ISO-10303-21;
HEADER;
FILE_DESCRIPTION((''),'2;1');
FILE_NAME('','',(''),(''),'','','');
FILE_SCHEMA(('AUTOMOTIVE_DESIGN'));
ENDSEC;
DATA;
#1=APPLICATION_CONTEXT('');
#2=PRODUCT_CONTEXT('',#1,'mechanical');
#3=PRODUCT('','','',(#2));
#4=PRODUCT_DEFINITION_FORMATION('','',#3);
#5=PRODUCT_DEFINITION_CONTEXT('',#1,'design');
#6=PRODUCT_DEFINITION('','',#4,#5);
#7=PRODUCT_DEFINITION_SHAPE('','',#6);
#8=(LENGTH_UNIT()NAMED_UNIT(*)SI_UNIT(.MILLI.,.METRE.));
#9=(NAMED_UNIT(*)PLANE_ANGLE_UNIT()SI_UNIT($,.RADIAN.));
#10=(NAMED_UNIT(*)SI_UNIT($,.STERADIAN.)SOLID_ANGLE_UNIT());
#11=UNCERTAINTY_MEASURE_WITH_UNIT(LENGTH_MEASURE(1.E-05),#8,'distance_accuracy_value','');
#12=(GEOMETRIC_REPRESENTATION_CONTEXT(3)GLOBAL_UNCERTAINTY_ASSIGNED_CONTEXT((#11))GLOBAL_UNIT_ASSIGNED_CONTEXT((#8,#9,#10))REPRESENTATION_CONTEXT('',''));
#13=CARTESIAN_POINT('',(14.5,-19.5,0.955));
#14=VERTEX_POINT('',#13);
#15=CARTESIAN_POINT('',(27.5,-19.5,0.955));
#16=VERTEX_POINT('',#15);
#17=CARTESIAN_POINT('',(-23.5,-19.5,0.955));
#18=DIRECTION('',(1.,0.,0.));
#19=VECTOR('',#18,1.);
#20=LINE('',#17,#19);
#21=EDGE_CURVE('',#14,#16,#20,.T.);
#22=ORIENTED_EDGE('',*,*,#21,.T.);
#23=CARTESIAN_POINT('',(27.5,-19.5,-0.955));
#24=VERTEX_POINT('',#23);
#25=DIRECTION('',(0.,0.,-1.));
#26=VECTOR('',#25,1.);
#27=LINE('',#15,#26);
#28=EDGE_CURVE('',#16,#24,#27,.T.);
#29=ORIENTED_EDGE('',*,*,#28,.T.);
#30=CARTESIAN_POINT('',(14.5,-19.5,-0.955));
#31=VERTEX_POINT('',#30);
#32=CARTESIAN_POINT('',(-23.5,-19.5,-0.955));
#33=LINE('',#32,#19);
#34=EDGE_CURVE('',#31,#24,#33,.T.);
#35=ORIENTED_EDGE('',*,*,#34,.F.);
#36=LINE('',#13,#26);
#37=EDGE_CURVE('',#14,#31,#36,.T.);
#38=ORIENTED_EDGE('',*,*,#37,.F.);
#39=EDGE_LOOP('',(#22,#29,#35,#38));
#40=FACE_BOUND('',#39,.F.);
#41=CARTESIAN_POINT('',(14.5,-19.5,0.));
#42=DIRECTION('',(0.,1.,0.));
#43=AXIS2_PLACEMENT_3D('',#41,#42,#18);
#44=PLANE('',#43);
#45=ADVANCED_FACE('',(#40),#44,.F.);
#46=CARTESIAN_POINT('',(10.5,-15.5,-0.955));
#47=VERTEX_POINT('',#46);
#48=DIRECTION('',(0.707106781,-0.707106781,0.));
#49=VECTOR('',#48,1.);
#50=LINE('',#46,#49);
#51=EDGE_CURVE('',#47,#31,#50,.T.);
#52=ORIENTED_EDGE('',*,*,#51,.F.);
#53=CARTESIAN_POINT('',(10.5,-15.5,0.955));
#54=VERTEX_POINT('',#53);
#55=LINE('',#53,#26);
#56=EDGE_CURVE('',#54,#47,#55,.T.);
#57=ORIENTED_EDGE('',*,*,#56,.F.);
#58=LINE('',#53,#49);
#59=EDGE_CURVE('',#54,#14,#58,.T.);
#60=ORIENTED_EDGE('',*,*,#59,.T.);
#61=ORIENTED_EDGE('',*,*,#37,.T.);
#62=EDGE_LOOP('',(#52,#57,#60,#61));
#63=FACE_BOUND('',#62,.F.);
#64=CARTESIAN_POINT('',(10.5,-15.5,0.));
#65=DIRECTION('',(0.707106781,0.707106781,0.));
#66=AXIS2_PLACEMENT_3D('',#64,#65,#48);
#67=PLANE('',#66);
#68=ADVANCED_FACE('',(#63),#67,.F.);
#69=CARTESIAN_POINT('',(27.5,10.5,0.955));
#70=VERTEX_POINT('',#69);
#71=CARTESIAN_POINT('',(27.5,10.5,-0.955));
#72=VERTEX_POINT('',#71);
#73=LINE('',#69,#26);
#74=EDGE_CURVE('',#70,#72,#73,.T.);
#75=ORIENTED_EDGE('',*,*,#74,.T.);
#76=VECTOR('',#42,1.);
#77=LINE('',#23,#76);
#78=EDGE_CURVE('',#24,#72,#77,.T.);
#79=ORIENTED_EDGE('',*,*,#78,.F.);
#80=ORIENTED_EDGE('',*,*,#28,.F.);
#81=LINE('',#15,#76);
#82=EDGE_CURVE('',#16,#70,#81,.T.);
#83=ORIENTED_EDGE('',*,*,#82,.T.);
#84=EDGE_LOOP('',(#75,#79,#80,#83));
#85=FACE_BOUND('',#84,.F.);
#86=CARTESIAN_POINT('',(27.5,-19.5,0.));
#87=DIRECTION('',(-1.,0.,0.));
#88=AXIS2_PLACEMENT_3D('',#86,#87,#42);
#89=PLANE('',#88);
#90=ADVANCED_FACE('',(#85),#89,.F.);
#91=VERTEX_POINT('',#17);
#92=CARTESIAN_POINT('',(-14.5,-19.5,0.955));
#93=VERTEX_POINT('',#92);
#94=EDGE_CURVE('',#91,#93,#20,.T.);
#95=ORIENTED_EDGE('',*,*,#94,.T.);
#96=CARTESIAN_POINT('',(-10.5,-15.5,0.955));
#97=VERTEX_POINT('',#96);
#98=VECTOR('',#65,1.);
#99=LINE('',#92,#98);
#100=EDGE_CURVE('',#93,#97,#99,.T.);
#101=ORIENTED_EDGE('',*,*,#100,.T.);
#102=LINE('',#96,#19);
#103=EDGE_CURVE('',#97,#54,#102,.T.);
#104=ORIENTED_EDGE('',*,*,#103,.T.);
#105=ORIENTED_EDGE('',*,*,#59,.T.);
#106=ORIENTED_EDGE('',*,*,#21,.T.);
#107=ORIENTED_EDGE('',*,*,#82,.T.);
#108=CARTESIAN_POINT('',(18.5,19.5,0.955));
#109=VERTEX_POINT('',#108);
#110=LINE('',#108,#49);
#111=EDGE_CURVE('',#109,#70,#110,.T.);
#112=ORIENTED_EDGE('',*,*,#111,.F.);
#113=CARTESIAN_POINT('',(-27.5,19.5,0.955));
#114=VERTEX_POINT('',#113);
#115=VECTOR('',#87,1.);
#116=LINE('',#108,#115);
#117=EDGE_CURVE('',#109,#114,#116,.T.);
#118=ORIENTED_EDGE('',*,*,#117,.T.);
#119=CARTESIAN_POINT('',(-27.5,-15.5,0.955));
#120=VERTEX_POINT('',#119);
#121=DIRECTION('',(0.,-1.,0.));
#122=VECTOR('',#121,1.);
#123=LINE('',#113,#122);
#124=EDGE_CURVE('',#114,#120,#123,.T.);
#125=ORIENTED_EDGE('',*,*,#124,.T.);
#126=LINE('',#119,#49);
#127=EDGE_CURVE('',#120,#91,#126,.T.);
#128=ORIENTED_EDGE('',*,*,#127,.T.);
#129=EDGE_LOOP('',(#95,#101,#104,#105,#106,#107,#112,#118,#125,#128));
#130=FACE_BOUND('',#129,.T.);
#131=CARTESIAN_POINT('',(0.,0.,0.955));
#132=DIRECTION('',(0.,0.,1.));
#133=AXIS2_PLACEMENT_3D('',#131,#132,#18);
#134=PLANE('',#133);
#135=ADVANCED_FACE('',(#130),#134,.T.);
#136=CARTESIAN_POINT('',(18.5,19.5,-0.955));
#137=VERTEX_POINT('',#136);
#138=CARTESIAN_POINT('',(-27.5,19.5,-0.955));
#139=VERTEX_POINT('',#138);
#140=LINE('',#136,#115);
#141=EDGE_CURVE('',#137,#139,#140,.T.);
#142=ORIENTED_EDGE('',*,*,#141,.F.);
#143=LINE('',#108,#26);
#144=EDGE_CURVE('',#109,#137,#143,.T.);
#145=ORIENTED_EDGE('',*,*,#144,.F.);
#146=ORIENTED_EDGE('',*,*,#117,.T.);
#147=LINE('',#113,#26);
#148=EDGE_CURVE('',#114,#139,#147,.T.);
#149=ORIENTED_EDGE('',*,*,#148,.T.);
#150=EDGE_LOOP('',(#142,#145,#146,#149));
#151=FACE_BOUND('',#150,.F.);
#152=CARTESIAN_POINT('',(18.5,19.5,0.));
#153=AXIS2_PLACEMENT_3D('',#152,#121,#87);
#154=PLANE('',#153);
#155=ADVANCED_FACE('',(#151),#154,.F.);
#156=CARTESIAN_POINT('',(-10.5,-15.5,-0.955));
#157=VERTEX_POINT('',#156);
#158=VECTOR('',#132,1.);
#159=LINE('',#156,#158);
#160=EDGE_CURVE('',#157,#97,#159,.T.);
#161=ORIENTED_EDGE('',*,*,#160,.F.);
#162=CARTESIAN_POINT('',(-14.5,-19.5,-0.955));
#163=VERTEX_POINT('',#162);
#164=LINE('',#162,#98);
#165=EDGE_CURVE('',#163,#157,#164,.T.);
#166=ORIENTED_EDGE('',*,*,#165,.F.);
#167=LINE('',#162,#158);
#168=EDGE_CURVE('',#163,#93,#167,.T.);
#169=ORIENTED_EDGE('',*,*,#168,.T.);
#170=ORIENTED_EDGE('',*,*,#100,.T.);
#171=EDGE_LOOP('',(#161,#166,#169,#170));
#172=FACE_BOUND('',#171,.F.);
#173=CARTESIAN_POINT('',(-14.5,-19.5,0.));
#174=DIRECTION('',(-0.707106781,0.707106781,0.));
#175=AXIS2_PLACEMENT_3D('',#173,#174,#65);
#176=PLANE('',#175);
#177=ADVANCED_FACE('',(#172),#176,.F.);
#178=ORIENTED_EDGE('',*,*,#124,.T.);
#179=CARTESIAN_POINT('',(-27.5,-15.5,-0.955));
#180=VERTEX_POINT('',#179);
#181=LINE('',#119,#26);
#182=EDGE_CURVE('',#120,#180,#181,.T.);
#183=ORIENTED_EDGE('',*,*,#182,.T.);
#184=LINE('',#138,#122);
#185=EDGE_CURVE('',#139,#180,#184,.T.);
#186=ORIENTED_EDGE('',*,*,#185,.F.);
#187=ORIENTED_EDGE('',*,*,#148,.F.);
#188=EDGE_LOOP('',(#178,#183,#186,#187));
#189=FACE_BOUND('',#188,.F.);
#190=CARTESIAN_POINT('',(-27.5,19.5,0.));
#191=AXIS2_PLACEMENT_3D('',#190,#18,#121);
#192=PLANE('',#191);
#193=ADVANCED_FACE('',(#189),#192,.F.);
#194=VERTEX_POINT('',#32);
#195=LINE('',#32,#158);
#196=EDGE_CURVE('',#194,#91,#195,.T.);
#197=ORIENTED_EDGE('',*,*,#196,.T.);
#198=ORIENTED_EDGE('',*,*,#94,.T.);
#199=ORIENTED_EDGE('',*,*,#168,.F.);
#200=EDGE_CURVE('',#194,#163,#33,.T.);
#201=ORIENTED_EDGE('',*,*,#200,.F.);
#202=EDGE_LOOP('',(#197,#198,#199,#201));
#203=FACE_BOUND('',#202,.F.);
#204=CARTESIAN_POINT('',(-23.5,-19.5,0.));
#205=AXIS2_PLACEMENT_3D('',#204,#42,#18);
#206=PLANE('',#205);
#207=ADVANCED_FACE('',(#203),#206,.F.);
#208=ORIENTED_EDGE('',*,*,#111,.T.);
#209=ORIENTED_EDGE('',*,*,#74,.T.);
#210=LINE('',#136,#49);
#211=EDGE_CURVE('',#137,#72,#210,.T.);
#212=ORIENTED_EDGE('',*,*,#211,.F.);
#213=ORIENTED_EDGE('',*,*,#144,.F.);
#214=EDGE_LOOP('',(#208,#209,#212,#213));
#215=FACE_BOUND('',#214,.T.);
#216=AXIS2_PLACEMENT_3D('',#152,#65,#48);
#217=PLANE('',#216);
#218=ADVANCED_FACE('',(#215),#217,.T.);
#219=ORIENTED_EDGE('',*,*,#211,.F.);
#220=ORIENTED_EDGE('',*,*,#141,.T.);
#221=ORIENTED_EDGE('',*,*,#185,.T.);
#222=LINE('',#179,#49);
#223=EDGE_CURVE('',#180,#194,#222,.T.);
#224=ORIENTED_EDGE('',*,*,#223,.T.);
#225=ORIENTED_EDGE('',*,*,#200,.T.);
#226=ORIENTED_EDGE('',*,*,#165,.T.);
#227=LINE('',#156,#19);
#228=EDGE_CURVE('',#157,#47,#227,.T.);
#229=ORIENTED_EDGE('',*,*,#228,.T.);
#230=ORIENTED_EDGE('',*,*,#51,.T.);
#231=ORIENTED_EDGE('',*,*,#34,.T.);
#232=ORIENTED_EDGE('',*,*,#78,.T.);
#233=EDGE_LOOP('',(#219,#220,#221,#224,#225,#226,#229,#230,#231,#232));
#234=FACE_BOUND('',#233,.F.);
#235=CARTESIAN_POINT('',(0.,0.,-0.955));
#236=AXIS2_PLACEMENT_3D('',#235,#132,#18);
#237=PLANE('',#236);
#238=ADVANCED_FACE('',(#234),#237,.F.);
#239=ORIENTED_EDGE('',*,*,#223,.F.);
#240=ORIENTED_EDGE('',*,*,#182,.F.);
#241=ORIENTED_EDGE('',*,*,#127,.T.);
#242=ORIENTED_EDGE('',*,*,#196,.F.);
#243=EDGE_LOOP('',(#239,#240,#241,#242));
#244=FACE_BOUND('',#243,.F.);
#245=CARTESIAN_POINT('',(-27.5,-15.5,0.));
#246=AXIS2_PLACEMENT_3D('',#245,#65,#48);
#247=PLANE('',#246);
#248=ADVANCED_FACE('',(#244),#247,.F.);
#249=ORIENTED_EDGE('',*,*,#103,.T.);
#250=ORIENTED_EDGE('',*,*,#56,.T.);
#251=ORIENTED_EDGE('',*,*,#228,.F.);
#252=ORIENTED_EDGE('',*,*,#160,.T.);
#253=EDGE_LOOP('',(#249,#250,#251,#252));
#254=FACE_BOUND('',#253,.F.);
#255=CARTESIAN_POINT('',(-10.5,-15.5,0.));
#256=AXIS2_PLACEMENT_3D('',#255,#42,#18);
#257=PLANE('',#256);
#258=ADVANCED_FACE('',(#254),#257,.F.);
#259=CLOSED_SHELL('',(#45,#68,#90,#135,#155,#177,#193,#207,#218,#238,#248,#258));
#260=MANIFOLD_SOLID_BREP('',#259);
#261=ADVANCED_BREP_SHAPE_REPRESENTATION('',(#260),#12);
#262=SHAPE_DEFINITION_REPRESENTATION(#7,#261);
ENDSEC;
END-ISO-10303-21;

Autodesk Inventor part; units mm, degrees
ref_plane "YZ Plane" through (0, 0, 0) normal (1, 0, 0) x (0, 1, 0)
ref_plane "XZ Plane" through (0, 0, 0) normal (0, 1, 0) x (-1, 0, 0)
ref_plane "XY Plane" through (0, 0, 0) normal (0, 0, 1) x (1, 0, 0)
sketch "Sketch1" plane through (0, 0, 0) normal (0, 0, 1) x (1, 0, 0)
  line L0 (-23.5, -19.5) -> (27.5, -19.5)
  line L1 (27.5, -19.5) -> (27.5, 10.5)
  line L2 (18.5, 19.5) -> (-27.5, 19.5)
  line L3 (-27.5, 19.5) -> (-27.5, -15.5)
  line L4 (-27.5, -19.5) -> (27.5, 19.5) construction
  line L5 (27.5, -19.5) -> (-27.5, 19.5) construction
  line L6 (18.5, 19.5) -> (27.5, 10.5)
  line L7 (-27.5, -15.5) -> (-23.5, -19.5)
  line L8 (-14.5, -19.5) -> (-10.5, -15.5)
  line L9 (-10.5, -15.5) -> (10.5, -15.5)
  line L10 (10.5, -15.5) -> (14.5, -19.5)
  point P0 (0, 0)
  dimension "d0" = 55
  dimension "d1" = 39
  dimension "d2" = 9
  dimension "d3" = 9
  dimension "d4" = 4
  dimension "d5" = 4
  dimension "d11" = 17
  dimension "d12" = 17
extrude "Extrusion1" add sketch "Sketch1" along normal mid plane 1.91 contours L7 L3 L2 L6 L1 L0 L10 L9 L8
equation "\"d3\" = d2"
equation "\"d4\" = d5"
equation "\"d12\" = d11"
properties part number "Game_TurmoilPolicy"
